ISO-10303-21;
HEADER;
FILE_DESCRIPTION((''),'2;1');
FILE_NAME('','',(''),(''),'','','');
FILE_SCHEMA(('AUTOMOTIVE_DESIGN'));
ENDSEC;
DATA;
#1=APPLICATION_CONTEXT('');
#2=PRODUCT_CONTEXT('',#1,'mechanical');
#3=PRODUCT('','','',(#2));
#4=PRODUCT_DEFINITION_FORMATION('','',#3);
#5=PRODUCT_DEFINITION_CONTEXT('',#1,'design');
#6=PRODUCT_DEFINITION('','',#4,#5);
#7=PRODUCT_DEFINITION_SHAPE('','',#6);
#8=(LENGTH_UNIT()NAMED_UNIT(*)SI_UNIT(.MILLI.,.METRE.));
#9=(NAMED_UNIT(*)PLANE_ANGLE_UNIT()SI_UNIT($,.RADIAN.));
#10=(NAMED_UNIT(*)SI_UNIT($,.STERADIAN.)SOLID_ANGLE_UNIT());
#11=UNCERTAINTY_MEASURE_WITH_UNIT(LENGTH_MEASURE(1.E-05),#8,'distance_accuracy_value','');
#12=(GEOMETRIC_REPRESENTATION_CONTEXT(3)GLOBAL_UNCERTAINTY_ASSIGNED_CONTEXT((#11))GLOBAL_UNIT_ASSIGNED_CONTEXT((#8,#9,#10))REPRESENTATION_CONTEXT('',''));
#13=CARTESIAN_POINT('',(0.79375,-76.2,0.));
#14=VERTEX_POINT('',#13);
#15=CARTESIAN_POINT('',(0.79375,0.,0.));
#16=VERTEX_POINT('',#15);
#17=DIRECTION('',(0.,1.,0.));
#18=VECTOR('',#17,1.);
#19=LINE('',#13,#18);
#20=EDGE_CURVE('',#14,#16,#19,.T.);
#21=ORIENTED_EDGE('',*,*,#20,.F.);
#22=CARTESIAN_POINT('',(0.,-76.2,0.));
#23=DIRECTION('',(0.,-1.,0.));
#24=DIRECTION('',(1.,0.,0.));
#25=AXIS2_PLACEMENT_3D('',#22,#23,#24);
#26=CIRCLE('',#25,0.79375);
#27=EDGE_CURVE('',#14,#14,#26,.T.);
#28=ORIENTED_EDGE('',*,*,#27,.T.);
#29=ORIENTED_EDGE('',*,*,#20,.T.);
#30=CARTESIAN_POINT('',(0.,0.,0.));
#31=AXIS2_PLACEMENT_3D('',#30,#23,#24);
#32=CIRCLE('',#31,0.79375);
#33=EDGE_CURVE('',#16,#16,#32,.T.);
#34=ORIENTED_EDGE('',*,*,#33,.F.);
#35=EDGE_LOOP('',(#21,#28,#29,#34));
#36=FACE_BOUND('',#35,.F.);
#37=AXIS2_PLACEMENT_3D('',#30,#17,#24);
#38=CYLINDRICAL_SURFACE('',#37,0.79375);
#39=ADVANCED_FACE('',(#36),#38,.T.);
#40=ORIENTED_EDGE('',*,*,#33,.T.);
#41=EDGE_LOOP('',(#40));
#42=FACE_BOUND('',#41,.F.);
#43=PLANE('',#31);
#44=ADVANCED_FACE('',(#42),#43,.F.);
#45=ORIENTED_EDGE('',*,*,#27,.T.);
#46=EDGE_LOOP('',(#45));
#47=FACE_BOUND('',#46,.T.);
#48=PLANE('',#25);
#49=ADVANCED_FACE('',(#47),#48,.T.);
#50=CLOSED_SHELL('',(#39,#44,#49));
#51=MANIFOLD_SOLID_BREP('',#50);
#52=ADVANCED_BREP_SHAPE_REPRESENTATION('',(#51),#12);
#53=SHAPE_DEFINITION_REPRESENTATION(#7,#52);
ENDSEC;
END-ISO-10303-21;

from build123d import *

# Parameters (mm, degrees)
F0_R     = 0.79375
F1_DEPTH = 76.2
F2_DEPTH = 25.4


with BuildPart() as f1:
    # F0 (on Front) → F1 (new body)
    with BuildSketch(Plane.XZ):
        Circle(F0_R)
    extrude(amount=F1_DEPTH)

    # F0 (on Front) → F2 (join)
    with BuildSketch(Plane.XZ):
        Circle(F0_R)
    extrude(amount=F2_DEPTH)


solid = f1.part
